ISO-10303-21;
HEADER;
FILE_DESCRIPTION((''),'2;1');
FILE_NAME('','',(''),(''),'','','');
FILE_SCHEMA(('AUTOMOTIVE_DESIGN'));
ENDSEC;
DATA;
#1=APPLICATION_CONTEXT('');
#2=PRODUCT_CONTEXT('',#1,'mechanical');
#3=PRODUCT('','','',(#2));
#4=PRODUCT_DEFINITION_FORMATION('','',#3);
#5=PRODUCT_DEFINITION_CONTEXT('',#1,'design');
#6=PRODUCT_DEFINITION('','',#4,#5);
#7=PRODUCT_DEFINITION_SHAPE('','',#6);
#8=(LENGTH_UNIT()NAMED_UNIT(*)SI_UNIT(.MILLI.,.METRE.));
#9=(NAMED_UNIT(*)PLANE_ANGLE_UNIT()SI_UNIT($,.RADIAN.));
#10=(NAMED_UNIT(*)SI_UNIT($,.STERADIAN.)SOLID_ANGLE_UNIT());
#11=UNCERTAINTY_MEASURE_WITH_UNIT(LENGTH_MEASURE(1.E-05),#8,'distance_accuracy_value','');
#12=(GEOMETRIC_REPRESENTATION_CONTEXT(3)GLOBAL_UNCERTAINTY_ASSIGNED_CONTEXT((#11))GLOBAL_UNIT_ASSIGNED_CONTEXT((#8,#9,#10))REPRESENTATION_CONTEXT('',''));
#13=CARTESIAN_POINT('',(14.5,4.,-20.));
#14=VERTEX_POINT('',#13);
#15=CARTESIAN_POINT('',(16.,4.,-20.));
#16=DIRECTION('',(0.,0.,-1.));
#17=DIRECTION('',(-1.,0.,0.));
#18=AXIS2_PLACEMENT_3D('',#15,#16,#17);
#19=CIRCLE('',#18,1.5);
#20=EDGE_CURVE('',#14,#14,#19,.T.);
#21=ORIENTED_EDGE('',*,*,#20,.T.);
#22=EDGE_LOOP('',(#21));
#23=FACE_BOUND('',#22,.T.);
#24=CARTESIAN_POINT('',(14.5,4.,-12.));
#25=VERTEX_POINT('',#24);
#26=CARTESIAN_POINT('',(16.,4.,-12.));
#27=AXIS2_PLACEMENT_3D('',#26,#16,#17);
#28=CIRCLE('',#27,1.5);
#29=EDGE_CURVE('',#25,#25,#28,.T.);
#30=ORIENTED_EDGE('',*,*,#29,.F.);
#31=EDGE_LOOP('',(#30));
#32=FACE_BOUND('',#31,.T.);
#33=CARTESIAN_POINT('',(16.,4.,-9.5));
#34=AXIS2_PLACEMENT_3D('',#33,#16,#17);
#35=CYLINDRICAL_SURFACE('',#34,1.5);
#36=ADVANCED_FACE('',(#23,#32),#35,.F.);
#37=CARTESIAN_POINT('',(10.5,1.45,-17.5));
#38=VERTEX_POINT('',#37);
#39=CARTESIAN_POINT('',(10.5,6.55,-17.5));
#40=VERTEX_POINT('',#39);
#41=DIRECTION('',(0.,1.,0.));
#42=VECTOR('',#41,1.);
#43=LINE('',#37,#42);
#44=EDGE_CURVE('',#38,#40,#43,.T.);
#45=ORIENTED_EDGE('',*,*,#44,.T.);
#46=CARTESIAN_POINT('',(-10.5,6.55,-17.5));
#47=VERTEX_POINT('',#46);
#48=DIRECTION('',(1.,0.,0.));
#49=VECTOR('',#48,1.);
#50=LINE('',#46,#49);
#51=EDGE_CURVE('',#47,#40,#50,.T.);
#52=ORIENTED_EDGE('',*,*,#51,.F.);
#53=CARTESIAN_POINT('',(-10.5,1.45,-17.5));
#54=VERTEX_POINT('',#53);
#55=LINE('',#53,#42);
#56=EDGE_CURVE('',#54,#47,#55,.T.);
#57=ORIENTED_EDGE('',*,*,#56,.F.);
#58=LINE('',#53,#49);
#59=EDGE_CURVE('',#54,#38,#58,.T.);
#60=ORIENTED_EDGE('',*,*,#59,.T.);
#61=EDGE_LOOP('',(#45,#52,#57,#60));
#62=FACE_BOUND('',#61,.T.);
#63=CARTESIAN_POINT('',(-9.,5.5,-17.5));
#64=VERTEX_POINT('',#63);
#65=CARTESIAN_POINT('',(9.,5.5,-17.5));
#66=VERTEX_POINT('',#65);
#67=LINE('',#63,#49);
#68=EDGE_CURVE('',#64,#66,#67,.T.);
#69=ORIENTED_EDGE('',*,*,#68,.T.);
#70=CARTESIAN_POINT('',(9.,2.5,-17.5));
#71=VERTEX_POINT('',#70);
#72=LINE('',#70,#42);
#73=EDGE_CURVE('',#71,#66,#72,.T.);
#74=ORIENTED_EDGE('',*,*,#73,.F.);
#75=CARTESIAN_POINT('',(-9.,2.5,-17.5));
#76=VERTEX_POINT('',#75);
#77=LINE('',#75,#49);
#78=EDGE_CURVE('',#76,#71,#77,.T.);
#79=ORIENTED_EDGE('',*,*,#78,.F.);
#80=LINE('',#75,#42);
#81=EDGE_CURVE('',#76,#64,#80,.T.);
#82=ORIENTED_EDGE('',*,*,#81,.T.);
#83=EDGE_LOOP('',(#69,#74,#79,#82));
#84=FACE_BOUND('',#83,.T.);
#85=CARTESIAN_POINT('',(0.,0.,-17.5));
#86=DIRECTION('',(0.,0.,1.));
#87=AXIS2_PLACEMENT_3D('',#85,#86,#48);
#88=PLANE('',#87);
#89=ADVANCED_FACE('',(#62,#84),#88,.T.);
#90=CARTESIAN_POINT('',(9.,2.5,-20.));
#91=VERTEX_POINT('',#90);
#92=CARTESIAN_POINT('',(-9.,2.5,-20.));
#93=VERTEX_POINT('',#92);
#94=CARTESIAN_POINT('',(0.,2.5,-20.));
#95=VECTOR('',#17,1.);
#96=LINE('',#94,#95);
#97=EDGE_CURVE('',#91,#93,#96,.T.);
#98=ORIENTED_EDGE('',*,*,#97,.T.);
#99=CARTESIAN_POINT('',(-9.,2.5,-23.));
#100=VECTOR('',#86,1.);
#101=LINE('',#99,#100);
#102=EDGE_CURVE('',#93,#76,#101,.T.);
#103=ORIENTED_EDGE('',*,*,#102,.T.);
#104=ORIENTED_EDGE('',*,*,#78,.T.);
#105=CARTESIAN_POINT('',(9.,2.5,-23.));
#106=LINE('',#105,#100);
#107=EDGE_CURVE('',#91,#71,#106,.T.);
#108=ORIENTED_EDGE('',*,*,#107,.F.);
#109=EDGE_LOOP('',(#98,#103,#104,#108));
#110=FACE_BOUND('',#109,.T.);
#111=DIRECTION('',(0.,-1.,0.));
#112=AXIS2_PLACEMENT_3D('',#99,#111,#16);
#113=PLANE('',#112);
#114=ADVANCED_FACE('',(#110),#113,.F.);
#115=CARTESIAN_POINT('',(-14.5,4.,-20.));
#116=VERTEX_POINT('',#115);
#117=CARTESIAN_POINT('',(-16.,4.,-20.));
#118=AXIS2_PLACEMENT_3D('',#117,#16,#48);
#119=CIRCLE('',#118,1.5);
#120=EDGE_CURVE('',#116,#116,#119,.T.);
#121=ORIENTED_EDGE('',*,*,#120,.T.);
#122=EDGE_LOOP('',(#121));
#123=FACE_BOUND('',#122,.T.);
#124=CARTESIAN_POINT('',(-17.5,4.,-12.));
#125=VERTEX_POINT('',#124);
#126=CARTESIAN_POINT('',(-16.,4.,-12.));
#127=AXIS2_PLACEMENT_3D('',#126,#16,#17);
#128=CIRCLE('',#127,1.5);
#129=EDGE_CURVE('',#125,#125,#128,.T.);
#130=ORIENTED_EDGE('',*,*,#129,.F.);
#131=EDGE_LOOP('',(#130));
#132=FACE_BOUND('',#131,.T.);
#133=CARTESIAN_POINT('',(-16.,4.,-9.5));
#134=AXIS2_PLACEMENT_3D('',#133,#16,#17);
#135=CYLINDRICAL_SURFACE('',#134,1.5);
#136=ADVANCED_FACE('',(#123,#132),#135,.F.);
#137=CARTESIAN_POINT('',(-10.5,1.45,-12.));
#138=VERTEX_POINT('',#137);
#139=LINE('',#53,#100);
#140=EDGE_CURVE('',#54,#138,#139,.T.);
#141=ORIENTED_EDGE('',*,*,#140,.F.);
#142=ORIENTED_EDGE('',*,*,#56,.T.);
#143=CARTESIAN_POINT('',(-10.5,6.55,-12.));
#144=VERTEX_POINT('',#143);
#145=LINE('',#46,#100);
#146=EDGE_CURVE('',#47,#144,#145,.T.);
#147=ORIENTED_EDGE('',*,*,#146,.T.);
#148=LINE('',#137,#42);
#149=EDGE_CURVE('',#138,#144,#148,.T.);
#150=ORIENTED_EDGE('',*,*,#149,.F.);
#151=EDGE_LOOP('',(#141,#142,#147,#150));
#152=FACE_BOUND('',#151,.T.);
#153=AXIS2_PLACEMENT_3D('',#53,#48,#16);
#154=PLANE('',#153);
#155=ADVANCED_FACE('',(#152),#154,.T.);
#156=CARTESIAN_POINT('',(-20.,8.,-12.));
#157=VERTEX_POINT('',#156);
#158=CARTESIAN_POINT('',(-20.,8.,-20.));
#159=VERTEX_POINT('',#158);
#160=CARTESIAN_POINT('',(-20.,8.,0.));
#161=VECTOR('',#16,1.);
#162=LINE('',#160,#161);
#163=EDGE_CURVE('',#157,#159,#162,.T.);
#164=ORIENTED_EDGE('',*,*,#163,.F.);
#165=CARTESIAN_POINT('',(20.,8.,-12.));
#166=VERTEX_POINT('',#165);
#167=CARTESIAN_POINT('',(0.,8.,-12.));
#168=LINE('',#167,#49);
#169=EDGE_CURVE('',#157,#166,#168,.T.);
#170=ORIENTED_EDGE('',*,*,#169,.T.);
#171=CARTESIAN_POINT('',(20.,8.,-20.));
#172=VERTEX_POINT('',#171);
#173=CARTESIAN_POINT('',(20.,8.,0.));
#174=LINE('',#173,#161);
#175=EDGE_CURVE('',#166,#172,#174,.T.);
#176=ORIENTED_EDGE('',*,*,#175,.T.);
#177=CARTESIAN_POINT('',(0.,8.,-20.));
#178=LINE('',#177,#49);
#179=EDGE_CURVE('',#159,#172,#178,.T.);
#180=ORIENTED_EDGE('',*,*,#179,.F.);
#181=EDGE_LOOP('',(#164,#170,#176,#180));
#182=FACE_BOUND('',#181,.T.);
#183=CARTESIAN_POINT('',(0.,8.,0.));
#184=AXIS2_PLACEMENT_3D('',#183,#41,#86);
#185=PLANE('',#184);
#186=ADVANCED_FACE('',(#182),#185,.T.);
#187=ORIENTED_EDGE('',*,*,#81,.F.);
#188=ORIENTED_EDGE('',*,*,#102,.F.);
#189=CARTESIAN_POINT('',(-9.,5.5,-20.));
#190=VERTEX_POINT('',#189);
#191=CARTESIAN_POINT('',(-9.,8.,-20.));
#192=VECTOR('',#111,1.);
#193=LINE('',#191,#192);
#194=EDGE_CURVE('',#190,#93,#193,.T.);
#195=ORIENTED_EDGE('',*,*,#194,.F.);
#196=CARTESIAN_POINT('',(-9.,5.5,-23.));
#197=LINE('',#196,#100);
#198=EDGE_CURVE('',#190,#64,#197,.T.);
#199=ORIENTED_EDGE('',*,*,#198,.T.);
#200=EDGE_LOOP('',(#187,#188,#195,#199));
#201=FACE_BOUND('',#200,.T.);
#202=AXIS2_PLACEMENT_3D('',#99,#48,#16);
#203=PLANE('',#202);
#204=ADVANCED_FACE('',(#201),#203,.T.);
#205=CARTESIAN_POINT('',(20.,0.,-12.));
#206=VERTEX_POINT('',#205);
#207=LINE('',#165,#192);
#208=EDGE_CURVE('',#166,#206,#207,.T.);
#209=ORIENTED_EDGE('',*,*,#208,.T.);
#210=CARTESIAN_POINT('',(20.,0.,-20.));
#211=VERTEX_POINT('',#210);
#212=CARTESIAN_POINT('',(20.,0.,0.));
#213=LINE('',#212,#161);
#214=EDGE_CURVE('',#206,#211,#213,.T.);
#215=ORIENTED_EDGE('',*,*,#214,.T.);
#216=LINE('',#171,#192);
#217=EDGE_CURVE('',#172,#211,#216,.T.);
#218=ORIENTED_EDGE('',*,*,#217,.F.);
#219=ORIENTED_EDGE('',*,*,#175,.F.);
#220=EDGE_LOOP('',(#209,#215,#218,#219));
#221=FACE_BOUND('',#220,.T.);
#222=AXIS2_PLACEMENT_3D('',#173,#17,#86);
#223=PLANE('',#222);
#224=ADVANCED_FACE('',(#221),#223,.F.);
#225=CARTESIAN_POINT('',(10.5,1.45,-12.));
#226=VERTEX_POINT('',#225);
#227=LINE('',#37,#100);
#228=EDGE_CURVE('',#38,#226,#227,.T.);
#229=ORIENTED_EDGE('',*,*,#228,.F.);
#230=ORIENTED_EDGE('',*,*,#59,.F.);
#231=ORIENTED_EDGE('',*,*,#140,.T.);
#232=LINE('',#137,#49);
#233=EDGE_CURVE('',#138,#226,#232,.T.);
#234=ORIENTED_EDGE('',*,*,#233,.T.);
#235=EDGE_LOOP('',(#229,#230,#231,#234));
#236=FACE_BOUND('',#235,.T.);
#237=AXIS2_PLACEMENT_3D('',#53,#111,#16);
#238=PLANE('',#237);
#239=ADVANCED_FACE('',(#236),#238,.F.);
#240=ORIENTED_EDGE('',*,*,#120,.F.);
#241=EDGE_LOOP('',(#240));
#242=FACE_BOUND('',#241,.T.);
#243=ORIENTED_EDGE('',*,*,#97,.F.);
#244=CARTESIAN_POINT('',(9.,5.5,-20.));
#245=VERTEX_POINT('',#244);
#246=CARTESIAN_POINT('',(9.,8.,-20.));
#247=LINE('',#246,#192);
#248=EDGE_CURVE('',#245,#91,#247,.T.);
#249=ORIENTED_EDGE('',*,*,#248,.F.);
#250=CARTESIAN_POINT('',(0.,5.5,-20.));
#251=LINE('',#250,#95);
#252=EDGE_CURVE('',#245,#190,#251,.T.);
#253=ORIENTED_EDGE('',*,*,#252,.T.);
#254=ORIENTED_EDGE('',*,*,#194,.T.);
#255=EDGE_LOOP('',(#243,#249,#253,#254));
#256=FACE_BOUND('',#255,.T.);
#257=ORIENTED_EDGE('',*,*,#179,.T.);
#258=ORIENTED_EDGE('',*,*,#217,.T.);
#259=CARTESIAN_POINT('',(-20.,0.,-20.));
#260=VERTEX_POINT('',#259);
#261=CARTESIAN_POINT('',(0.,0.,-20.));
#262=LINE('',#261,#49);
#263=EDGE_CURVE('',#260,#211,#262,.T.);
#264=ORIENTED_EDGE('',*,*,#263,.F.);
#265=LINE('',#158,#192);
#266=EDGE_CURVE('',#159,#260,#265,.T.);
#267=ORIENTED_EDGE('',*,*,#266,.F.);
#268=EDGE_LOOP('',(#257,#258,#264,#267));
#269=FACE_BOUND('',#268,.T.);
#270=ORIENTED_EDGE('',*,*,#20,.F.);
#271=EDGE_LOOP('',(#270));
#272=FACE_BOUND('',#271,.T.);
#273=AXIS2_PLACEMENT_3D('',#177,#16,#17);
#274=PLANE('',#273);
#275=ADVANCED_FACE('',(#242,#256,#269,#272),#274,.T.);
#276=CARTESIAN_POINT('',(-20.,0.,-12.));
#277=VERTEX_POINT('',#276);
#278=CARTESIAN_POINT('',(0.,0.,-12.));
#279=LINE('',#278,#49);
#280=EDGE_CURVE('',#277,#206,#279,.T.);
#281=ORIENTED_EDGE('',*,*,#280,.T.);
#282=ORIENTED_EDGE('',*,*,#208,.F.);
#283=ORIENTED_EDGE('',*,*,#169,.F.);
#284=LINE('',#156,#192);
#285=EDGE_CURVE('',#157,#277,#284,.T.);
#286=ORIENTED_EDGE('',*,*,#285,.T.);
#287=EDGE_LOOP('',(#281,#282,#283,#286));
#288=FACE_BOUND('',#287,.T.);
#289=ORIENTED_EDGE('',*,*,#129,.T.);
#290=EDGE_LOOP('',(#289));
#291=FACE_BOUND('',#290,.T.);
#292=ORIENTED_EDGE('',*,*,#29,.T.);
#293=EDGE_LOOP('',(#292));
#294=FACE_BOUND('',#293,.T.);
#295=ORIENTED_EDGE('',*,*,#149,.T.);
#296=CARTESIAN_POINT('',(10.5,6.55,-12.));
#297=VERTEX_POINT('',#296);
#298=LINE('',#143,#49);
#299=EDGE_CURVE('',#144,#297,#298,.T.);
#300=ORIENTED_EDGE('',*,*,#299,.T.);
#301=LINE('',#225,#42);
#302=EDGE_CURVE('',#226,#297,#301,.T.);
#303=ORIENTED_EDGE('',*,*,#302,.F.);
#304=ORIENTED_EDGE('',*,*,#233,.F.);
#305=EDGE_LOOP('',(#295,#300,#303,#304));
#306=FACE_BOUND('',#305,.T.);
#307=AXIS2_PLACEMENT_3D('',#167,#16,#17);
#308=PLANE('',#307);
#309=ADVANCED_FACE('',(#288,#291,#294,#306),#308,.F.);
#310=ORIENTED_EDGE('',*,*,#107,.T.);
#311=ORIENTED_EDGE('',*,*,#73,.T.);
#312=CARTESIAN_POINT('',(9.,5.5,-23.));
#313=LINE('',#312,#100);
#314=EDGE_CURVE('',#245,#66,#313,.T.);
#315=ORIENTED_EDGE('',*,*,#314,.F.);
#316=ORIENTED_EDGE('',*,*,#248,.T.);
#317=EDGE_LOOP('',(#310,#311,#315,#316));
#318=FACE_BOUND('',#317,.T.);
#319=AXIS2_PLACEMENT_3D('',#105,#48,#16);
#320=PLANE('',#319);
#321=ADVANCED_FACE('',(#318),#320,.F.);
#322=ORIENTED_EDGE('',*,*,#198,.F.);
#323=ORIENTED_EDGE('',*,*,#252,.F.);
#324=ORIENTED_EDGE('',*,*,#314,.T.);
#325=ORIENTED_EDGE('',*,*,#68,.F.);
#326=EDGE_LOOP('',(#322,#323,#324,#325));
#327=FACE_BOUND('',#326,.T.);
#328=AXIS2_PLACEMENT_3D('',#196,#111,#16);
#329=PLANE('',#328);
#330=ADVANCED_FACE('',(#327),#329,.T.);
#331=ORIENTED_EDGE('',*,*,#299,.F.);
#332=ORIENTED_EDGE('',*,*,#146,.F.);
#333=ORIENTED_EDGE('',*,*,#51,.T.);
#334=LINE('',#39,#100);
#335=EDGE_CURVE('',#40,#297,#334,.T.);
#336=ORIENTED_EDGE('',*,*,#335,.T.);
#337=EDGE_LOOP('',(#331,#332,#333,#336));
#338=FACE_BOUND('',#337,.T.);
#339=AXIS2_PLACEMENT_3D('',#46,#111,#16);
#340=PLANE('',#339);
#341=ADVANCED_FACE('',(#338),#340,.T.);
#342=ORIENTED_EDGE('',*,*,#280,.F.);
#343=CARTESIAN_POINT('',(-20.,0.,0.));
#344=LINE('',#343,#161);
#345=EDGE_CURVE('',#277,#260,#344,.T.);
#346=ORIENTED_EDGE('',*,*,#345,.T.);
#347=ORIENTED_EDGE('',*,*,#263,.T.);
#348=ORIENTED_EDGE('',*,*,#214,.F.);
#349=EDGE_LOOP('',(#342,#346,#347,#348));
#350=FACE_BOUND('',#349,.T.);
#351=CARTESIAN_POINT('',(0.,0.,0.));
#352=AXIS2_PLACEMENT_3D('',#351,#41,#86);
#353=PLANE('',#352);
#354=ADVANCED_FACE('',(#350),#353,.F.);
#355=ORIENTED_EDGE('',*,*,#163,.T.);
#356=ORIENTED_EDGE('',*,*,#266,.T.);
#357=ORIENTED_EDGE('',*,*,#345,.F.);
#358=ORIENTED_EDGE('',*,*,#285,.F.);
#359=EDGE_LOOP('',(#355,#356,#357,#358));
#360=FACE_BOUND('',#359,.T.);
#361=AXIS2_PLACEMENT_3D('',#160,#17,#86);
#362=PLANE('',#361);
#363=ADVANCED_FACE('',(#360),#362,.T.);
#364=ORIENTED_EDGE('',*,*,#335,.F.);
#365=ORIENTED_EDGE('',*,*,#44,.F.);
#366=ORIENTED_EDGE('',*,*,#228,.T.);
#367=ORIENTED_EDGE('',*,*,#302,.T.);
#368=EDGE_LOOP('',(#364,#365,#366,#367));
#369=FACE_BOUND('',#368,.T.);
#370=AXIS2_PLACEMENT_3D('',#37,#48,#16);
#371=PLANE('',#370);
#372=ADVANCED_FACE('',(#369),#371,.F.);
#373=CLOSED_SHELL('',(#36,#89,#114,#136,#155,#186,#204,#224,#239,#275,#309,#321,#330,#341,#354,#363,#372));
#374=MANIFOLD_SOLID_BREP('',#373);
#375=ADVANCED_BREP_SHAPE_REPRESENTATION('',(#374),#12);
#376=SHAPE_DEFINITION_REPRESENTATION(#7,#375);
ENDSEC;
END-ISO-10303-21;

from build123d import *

# Parameters (mm, degrees)
SKETCH1_W           = 21
SKETCH1_H           = 5.5
BOSS_EXTRUDE1_DEPTH = 8
SKETCH2_W           = 21
SKETCH2_H           = 5.1
CUT_EXTRUDE1_DEPTH  = 5.5
SKETCH4_W           = 18
SKETCH4_H           = 3
CUT_EXTRUDE2_DEPTH  = 5.5
SKETCH5_R           = 1.5
CUT_EXTRUDE3_DEPTH  = 10.5


with BuildPart() as part:
    # Sketch1 → Boss-Extrude1 (new body)
    with BuildSketch(Plane(origin=(0, 0, 0), x_dir=(1, 0, 0), z_dir=(0, 1, 0))):
        Polygon((-20, 20), (-20, 12), (-10.5, 12), (-10.5, 17.5), (10.5, 17.5), (10.5, 12), (20, 12), (20, 20), align=None)
        with Locations((0, 14.75)):
            Rectangle(SKETCH1_W, SKETCH1_H)
    extrude(amount=BOSS_EXTRUDE1_DEPTH)

    # Sketch2 → Cut-Extrude1 (cut)
    with BuildSketch(Plane.XY.offset(-12)):
        with Locations((0, 4)):
            Rectangle(SKETCH2_W, SKETCH2_H)
    extrude(amount=-CUT_EXTRUDE1_DEPTH, mode=Mode.SUBTRACT)

    # Sketch4 → Cut-Extrude2 (cut)
    with BuildSketch(Plane.XY.offset(-17.5)):
        with Locations((0, 4)):
            Rectangle(SKETCH4_W, SKETCH4_H)
    extrude(amount=-CUT_EXTRUDE2_DEPTH, mode=Mode.SUBTRACT)

    # Sketch5 → Cut-Extrude3 (cut)
    with BuildSketch(Plane(origin=(0, 0, -20), x_dir=(-1, 0, 0), z_dir=(0, 0, -1))):
        with Locations((-16, 4)):
            Circle(SKETCH5_R)
        with Locations((16, 4)):
            Circle(SKETCH5_R)
    extrude(amount=-CUT_EXTRUDE3_DEPTH, mode=Mode.SUBTRACT)


solid = part.part
